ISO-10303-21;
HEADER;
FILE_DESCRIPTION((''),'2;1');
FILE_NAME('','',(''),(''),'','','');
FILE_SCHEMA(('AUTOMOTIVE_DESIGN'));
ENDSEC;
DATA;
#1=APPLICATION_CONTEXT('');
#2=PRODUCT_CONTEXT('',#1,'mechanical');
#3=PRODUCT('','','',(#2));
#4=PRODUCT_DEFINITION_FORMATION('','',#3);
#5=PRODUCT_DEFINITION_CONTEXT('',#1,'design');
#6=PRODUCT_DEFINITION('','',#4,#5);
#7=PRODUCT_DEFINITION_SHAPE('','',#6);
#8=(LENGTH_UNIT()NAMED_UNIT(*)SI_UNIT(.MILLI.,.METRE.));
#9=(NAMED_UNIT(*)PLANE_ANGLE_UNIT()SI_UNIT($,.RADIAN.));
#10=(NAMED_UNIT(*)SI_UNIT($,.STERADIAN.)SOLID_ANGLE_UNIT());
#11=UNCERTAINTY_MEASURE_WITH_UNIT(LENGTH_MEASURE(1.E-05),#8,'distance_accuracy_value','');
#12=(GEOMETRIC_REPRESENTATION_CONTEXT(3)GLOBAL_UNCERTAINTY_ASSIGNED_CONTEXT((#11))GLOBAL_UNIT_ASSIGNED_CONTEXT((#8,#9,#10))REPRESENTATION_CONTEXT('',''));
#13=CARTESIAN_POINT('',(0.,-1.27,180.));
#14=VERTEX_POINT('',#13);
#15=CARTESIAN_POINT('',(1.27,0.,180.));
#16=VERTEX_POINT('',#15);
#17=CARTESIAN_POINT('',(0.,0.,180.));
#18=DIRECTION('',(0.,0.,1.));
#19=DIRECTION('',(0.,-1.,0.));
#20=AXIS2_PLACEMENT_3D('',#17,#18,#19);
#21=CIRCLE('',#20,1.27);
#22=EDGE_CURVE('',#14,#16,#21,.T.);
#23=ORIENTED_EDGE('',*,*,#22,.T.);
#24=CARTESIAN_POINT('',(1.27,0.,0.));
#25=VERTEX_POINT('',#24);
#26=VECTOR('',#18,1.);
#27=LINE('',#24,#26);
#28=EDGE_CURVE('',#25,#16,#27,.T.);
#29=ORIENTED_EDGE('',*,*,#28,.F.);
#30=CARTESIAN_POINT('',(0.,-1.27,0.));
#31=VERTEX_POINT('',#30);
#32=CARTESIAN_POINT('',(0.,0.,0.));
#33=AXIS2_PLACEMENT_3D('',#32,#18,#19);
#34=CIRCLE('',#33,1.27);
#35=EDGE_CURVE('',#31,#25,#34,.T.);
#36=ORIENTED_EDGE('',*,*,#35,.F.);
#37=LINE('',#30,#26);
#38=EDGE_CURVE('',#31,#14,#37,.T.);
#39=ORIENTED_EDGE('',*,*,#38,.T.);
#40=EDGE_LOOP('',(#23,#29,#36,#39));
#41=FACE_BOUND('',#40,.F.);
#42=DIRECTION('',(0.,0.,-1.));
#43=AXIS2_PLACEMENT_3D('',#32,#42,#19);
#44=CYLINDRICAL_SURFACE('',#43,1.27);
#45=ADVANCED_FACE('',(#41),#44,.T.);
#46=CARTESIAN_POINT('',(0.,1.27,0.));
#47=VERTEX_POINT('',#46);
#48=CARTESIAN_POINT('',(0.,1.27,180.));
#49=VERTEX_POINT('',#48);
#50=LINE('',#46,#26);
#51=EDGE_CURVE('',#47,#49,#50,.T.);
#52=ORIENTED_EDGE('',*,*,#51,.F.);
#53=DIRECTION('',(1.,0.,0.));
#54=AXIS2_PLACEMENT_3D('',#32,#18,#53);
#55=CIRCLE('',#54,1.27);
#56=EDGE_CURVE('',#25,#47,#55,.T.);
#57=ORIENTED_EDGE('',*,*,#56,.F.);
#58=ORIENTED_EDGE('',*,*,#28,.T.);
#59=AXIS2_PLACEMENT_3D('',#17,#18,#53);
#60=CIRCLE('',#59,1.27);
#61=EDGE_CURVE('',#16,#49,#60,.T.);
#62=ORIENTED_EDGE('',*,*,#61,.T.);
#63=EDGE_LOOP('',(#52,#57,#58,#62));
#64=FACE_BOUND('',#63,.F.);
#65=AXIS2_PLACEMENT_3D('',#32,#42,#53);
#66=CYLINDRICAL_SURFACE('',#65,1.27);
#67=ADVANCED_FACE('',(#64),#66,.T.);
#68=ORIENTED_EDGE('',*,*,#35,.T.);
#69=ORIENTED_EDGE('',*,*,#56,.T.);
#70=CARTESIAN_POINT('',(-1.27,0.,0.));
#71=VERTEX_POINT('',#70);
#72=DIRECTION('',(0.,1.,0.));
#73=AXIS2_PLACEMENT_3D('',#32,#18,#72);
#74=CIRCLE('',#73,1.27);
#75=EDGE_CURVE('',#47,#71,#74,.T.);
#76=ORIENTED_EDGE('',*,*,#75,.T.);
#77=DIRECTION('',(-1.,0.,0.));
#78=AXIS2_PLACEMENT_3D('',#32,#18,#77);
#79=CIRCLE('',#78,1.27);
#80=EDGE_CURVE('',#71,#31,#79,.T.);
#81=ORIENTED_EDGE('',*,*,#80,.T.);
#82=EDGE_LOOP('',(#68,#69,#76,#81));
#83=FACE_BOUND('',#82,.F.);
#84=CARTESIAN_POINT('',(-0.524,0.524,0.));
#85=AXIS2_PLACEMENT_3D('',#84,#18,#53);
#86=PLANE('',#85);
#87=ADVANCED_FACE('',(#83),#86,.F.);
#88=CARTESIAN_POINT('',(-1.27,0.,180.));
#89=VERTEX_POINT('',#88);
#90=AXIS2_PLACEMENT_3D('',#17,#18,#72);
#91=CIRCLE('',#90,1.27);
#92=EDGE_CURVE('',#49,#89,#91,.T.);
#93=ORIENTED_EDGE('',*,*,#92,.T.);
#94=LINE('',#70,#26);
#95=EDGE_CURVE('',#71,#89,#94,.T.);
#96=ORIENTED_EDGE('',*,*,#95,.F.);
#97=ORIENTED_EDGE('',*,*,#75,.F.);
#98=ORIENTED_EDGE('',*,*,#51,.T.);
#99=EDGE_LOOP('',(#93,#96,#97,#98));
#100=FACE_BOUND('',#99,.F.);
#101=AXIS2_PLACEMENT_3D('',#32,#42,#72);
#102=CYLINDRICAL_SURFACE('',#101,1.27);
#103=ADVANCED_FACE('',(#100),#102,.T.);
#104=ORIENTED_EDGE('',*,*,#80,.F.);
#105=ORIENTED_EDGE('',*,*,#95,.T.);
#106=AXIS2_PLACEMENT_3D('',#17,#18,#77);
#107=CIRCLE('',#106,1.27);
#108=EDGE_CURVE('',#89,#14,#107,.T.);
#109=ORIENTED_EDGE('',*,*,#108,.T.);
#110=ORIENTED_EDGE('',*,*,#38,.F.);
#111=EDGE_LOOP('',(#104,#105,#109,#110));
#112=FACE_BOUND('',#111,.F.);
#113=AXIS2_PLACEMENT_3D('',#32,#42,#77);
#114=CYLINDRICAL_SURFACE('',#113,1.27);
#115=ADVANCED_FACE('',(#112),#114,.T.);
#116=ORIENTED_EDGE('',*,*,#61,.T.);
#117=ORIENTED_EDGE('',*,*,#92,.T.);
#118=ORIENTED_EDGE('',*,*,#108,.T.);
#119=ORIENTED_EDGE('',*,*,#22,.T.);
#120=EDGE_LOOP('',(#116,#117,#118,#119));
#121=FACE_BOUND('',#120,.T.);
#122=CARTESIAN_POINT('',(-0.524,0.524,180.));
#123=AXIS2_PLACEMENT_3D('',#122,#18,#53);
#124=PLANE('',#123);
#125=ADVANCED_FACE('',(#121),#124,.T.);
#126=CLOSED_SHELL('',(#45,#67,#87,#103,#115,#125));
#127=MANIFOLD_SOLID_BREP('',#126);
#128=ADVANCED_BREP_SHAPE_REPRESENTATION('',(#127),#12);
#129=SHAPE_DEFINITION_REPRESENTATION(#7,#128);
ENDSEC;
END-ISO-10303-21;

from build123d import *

# Parameters (mm, degrees)
F1_DEPTH = 180


with BuildPart() as f1:
    # F0 (on Top) → F1 (new body)
    with BuildSketch(Plane.XY):
        with BuildLine():
            Line((0, 0), (0, 1.27))
            ThreePointArc((0, 1.27), (-0.8980256121, 0.8980256121), (-1.27, 0))
            Line((-1.27, 0), (0, 0))
        make_face()
        with BuildLine():
            ThreePointArc((1.27, 0), (0.8980256121, 0.8980256121), (0, 1.27))
            Line((0, 1.27), (0, 0))
            Line((0, 0), (1.27, 0))
        make_face()
        with BuildLine():
            Line((1.27, 0), (0, 0))
            Line((0, 0), (0, -1.27))
            ThreePointArc((0, -1.27), (0.8980256121, -0.8980256121), (1.27, 0))
        make_face()
        with BuildLine():
            Line((0, -1.27), (0, 0))
            Line((0, 0), (-1.27, 0))
            ThreePointArc((-1.27, 0), (-0.8980256121, -0.8980256121), (0, -1.27))
        make_face()
    extrude(amount=F1_DEPTH)


solid = f1.part
